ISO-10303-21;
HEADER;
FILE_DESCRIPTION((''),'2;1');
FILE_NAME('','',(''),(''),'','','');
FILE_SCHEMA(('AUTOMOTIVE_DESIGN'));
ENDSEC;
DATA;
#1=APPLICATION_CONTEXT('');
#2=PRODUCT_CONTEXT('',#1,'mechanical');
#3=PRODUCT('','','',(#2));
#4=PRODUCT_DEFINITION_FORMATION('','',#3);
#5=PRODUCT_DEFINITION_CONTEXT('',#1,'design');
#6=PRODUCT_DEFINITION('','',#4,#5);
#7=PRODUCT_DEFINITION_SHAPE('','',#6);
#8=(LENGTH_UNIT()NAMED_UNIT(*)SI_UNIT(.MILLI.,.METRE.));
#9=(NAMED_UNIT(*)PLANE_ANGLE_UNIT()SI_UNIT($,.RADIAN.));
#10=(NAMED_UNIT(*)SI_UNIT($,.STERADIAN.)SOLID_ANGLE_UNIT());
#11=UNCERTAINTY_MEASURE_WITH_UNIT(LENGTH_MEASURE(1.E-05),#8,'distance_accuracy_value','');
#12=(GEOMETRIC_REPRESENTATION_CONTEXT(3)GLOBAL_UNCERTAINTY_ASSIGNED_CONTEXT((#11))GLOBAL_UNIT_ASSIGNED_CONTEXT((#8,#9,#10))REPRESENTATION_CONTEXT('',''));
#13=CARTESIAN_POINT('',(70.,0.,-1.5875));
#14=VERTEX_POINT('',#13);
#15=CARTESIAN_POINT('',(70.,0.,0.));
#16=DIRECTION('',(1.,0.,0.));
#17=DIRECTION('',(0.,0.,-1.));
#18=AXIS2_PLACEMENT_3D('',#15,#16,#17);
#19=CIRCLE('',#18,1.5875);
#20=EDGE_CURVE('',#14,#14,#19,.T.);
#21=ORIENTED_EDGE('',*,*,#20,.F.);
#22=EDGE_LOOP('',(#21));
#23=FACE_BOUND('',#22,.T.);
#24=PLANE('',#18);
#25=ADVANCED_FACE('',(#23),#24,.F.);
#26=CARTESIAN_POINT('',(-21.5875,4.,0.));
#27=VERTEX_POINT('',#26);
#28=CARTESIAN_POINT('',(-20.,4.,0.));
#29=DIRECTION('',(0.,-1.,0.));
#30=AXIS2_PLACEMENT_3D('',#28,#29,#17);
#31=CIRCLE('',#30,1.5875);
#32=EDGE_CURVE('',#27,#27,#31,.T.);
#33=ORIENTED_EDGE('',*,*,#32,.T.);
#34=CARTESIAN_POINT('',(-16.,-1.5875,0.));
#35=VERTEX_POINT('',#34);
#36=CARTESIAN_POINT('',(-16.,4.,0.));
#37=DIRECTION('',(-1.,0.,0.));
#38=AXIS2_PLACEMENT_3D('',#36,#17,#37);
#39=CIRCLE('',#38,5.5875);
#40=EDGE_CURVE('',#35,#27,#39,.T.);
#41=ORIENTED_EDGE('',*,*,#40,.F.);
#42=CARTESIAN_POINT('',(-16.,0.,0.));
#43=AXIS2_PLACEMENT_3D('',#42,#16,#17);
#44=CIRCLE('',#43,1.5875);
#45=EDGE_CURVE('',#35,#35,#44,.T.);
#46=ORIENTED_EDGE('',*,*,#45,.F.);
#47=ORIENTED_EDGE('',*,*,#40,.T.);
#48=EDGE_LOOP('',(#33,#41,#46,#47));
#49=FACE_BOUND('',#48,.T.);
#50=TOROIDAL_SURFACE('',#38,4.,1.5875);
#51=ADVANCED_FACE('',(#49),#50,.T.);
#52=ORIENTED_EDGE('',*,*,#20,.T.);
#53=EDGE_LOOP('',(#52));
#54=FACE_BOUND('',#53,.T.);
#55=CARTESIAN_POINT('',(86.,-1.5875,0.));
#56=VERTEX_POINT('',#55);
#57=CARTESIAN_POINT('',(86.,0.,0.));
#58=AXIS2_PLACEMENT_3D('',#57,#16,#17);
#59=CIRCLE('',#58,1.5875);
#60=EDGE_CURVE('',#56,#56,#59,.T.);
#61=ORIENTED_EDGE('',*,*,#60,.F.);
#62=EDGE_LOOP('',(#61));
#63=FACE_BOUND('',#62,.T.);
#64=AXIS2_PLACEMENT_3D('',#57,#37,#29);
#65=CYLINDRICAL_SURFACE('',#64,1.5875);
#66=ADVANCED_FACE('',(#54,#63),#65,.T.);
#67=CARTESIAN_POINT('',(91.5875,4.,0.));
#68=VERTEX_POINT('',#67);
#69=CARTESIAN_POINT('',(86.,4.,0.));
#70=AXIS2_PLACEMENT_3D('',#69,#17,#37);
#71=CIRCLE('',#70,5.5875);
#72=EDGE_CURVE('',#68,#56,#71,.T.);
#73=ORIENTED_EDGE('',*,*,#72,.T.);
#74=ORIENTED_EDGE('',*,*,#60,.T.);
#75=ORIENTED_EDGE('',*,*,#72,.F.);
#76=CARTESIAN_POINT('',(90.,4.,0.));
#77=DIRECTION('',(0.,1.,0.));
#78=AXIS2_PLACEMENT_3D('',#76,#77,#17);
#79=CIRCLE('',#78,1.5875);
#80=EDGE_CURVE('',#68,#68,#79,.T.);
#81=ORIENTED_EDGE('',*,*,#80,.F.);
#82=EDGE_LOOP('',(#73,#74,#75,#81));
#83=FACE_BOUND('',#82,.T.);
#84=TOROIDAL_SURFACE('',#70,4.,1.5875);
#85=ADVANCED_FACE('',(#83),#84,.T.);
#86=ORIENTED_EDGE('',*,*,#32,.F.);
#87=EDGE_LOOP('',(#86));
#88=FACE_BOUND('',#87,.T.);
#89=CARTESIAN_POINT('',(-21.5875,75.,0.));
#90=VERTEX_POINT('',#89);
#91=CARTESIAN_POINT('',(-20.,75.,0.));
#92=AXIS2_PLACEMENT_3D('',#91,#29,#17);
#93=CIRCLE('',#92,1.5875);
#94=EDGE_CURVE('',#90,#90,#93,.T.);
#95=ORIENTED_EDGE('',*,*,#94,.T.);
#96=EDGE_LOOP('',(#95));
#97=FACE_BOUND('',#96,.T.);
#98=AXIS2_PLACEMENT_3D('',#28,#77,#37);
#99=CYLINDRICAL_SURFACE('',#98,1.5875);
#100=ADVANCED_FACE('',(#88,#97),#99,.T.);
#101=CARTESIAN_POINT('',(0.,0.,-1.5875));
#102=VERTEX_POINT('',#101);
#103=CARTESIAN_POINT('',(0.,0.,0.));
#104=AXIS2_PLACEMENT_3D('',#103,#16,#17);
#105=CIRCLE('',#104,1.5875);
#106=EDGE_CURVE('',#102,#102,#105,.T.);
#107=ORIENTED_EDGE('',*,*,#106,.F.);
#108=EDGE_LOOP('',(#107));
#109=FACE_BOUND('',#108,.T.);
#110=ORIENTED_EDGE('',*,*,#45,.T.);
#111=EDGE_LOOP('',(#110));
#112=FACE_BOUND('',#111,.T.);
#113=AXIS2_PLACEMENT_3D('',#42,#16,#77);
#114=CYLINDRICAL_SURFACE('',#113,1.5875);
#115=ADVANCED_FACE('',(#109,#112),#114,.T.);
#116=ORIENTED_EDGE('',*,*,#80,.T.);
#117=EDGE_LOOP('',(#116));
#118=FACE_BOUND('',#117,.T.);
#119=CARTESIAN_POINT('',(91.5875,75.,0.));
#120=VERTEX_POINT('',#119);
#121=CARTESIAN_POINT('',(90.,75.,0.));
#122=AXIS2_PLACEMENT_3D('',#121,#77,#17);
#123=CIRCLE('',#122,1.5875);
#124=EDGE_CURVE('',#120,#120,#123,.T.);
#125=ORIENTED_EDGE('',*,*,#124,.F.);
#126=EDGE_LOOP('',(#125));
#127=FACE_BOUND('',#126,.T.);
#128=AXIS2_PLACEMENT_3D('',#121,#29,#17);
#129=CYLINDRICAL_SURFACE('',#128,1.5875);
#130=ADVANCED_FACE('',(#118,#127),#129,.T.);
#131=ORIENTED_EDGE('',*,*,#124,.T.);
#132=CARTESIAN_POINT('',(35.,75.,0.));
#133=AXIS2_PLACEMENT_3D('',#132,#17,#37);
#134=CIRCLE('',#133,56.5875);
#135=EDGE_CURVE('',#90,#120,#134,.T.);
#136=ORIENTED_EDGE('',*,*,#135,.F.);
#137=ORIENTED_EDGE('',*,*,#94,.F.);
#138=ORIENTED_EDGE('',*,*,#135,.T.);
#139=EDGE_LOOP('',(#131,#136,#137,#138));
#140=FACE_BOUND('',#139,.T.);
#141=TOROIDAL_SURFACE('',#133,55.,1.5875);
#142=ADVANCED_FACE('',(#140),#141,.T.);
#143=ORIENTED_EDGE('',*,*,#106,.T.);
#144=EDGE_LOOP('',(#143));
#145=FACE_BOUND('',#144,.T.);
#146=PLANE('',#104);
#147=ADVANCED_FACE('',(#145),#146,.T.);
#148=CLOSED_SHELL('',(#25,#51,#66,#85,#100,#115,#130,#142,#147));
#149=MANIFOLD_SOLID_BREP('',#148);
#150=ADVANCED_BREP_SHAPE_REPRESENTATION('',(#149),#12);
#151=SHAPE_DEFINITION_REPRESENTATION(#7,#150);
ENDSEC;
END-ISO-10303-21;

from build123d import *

# Parameters (mm, degrees)
SKETCH2_R = 1.5875


with BuildPart() as part:
    # Sweep1: sweep along a path in Sketch1
    with BuildLine(Plane.XY) as sweep1_path:
        Line((0, 0), (-16, 0))
        ThreePointArc((-16, 0), (-18.828427125, 1.171572875), (-20, 4))
        Line((-20, 4), (-20, 75))
        ThreePointArc((-20, 75), (35, 130), (90, 75))
        Line((90, 75), (90, 4))
        ThreePointArc((90, 4), (88.828427125, 1.171572875), (86, 0))
        Line((86, 0), (70, 0))
    # Sketch2 → Sweep1 (sweep)
    with BuildSketch(Plane(origin=(0, 0, 0), x_dir=(0, 0, -1), z_dir=(1, 0, 0))):
        Circle(SKETCH2_R)
    sweep(path=sweep1_path.line)


solid = part.part
